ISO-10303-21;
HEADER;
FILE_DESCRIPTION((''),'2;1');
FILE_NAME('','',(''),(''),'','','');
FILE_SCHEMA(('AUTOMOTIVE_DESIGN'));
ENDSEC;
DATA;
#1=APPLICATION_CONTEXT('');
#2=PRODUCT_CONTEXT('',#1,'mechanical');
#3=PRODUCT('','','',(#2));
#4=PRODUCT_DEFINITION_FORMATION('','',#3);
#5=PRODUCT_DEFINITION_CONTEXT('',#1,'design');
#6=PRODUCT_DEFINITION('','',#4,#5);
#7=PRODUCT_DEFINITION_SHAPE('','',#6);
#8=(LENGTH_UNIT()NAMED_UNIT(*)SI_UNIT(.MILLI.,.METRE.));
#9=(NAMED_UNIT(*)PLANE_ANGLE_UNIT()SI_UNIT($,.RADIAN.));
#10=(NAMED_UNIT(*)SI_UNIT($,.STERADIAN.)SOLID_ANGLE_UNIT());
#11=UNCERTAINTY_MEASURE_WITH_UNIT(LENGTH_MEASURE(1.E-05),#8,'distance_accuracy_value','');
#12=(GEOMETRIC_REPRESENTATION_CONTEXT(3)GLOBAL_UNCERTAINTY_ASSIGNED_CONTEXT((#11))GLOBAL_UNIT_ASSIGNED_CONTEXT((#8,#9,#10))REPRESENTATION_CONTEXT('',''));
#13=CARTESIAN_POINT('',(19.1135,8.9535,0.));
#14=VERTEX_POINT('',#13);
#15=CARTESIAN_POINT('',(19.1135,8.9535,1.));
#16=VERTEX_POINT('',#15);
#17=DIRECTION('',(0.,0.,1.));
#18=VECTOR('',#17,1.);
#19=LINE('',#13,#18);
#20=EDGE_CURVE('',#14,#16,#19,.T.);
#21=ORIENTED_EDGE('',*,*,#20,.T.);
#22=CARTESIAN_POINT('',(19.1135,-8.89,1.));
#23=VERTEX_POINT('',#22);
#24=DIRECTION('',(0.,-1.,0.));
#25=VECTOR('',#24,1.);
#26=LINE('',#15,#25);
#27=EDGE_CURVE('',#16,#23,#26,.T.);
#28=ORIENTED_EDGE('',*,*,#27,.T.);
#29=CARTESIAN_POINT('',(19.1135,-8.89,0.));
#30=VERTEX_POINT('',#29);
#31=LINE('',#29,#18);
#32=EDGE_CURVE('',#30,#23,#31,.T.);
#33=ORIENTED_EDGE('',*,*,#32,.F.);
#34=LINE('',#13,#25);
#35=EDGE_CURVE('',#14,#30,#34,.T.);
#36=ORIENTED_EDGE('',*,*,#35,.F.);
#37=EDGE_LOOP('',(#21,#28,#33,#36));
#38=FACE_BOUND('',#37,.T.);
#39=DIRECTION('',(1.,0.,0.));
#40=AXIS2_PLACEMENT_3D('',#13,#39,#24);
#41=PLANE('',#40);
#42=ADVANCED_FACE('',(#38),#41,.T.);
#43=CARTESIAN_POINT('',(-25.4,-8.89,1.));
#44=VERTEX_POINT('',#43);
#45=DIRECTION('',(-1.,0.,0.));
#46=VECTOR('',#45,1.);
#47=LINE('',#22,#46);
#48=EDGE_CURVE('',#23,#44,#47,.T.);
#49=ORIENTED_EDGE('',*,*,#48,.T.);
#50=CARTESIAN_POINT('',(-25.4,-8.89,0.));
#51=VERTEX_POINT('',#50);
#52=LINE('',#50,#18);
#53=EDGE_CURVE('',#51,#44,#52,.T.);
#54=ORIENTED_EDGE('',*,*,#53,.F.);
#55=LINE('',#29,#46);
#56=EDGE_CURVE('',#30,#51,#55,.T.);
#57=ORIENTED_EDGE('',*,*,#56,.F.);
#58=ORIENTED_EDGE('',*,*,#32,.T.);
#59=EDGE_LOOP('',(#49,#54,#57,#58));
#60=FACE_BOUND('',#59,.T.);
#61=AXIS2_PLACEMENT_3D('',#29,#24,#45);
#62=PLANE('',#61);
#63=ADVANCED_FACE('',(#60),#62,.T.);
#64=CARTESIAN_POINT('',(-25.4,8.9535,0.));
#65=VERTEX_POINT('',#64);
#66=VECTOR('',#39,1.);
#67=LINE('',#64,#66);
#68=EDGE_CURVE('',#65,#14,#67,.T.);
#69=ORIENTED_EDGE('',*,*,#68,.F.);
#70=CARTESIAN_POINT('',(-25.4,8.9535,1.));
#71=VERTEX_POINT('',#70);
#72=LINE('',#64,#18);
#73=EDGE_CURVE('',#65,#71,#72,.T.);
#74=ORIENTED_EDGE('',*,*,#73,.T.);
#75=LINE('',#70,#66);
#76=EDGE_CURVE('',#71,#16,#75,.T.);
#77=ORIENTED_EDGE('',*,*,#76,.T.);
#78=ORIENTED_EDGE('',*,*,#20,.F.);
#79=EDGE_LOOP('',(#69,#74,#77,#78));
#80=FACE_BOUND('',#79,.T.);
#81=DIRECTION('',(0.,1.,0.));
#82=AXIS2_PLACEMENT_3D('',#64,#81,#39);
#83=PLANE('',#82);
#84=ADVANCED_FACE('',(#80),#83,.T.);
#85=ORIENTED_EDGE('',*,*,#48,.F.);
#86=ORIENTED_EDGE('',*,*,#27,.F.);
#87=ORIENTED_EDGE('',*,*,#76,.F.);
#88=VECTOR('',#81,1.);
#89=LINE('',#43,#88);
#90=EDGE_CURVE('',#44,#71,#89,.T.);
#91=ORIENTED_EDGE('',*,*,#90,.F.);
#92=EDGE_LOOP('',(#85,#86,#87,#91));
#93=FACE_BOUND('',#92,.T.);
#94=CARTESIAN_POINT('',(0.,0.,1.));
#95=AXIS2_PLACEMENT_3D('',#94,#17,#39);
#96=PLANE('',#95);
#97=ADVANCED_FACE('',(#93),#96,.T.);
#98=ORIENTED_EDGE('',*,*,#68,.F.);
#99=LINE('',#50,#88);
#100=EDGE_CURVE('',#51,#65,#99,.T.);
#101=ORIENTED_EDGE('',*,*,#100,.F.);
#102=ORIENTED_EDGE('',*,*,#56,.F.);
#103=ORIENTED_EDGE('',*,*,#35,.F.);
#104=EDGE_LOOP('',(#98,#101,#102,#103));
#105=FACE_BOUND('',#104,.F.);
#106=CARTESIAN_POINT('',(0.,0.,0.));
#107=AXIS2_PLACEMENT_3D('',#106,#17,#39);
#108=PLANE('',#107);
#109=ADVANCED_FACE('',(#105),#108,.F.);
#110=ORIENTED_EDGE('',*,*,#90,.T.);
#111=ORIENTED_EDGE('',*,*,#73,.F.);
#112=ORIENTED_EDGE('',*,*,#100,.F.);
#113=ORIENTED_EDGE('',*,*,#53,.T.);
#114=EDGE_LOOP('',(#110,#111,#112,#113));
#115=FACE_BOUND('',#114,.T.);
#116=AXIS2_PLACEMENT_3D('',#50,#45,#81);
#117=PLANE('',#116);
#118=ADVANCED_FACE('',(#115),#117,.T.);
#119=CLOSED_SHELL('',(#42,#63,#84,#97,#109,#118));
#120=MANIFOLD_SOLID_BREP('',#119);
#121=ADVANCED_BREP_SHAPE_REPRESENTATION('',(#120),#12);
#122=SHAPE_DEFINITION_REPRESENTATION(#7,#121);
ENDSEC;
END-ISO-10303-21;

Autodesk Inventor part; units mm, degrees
ref_plane "YZ Plane" through (0, 0, 0) normal (1, 0, 0) x (0, 1, 0)
ref_plane "XZ Plane" through (0, 0, 0) normal (0, 1, 0) x (-1, 0, 0)
ref_plane "XY Plane" through (0, 0, 0) normal (0, 0, 1) x (1, 0, 0)
sketch "ARDUINO_NANO, ARDUINO_NANO1_ARDUINO_NANO_1" plane through (0, 0, 0) normal (0, 0, 1) x (1, 0, 0)
  line L0 (-25.4, 8.9535) -> (19.1135, 8.9535)
  line L1 (19.1135, 8.9535) -> (19.1135, -8.89)
  line L2 (19.1135, -8.89) -> (-25.4, -8.89)
  line L3 (-25.4, -8.89) -> (-25.4, 8.9535)
extrude "Extrusion1" add sketch "ARDUINO_NANO, ARDUINO_NANO1_ARDUINO_NANO_1" along normal blind 1
properties part number "ARDUINO_NANO1_ARDUINO_NANO"
